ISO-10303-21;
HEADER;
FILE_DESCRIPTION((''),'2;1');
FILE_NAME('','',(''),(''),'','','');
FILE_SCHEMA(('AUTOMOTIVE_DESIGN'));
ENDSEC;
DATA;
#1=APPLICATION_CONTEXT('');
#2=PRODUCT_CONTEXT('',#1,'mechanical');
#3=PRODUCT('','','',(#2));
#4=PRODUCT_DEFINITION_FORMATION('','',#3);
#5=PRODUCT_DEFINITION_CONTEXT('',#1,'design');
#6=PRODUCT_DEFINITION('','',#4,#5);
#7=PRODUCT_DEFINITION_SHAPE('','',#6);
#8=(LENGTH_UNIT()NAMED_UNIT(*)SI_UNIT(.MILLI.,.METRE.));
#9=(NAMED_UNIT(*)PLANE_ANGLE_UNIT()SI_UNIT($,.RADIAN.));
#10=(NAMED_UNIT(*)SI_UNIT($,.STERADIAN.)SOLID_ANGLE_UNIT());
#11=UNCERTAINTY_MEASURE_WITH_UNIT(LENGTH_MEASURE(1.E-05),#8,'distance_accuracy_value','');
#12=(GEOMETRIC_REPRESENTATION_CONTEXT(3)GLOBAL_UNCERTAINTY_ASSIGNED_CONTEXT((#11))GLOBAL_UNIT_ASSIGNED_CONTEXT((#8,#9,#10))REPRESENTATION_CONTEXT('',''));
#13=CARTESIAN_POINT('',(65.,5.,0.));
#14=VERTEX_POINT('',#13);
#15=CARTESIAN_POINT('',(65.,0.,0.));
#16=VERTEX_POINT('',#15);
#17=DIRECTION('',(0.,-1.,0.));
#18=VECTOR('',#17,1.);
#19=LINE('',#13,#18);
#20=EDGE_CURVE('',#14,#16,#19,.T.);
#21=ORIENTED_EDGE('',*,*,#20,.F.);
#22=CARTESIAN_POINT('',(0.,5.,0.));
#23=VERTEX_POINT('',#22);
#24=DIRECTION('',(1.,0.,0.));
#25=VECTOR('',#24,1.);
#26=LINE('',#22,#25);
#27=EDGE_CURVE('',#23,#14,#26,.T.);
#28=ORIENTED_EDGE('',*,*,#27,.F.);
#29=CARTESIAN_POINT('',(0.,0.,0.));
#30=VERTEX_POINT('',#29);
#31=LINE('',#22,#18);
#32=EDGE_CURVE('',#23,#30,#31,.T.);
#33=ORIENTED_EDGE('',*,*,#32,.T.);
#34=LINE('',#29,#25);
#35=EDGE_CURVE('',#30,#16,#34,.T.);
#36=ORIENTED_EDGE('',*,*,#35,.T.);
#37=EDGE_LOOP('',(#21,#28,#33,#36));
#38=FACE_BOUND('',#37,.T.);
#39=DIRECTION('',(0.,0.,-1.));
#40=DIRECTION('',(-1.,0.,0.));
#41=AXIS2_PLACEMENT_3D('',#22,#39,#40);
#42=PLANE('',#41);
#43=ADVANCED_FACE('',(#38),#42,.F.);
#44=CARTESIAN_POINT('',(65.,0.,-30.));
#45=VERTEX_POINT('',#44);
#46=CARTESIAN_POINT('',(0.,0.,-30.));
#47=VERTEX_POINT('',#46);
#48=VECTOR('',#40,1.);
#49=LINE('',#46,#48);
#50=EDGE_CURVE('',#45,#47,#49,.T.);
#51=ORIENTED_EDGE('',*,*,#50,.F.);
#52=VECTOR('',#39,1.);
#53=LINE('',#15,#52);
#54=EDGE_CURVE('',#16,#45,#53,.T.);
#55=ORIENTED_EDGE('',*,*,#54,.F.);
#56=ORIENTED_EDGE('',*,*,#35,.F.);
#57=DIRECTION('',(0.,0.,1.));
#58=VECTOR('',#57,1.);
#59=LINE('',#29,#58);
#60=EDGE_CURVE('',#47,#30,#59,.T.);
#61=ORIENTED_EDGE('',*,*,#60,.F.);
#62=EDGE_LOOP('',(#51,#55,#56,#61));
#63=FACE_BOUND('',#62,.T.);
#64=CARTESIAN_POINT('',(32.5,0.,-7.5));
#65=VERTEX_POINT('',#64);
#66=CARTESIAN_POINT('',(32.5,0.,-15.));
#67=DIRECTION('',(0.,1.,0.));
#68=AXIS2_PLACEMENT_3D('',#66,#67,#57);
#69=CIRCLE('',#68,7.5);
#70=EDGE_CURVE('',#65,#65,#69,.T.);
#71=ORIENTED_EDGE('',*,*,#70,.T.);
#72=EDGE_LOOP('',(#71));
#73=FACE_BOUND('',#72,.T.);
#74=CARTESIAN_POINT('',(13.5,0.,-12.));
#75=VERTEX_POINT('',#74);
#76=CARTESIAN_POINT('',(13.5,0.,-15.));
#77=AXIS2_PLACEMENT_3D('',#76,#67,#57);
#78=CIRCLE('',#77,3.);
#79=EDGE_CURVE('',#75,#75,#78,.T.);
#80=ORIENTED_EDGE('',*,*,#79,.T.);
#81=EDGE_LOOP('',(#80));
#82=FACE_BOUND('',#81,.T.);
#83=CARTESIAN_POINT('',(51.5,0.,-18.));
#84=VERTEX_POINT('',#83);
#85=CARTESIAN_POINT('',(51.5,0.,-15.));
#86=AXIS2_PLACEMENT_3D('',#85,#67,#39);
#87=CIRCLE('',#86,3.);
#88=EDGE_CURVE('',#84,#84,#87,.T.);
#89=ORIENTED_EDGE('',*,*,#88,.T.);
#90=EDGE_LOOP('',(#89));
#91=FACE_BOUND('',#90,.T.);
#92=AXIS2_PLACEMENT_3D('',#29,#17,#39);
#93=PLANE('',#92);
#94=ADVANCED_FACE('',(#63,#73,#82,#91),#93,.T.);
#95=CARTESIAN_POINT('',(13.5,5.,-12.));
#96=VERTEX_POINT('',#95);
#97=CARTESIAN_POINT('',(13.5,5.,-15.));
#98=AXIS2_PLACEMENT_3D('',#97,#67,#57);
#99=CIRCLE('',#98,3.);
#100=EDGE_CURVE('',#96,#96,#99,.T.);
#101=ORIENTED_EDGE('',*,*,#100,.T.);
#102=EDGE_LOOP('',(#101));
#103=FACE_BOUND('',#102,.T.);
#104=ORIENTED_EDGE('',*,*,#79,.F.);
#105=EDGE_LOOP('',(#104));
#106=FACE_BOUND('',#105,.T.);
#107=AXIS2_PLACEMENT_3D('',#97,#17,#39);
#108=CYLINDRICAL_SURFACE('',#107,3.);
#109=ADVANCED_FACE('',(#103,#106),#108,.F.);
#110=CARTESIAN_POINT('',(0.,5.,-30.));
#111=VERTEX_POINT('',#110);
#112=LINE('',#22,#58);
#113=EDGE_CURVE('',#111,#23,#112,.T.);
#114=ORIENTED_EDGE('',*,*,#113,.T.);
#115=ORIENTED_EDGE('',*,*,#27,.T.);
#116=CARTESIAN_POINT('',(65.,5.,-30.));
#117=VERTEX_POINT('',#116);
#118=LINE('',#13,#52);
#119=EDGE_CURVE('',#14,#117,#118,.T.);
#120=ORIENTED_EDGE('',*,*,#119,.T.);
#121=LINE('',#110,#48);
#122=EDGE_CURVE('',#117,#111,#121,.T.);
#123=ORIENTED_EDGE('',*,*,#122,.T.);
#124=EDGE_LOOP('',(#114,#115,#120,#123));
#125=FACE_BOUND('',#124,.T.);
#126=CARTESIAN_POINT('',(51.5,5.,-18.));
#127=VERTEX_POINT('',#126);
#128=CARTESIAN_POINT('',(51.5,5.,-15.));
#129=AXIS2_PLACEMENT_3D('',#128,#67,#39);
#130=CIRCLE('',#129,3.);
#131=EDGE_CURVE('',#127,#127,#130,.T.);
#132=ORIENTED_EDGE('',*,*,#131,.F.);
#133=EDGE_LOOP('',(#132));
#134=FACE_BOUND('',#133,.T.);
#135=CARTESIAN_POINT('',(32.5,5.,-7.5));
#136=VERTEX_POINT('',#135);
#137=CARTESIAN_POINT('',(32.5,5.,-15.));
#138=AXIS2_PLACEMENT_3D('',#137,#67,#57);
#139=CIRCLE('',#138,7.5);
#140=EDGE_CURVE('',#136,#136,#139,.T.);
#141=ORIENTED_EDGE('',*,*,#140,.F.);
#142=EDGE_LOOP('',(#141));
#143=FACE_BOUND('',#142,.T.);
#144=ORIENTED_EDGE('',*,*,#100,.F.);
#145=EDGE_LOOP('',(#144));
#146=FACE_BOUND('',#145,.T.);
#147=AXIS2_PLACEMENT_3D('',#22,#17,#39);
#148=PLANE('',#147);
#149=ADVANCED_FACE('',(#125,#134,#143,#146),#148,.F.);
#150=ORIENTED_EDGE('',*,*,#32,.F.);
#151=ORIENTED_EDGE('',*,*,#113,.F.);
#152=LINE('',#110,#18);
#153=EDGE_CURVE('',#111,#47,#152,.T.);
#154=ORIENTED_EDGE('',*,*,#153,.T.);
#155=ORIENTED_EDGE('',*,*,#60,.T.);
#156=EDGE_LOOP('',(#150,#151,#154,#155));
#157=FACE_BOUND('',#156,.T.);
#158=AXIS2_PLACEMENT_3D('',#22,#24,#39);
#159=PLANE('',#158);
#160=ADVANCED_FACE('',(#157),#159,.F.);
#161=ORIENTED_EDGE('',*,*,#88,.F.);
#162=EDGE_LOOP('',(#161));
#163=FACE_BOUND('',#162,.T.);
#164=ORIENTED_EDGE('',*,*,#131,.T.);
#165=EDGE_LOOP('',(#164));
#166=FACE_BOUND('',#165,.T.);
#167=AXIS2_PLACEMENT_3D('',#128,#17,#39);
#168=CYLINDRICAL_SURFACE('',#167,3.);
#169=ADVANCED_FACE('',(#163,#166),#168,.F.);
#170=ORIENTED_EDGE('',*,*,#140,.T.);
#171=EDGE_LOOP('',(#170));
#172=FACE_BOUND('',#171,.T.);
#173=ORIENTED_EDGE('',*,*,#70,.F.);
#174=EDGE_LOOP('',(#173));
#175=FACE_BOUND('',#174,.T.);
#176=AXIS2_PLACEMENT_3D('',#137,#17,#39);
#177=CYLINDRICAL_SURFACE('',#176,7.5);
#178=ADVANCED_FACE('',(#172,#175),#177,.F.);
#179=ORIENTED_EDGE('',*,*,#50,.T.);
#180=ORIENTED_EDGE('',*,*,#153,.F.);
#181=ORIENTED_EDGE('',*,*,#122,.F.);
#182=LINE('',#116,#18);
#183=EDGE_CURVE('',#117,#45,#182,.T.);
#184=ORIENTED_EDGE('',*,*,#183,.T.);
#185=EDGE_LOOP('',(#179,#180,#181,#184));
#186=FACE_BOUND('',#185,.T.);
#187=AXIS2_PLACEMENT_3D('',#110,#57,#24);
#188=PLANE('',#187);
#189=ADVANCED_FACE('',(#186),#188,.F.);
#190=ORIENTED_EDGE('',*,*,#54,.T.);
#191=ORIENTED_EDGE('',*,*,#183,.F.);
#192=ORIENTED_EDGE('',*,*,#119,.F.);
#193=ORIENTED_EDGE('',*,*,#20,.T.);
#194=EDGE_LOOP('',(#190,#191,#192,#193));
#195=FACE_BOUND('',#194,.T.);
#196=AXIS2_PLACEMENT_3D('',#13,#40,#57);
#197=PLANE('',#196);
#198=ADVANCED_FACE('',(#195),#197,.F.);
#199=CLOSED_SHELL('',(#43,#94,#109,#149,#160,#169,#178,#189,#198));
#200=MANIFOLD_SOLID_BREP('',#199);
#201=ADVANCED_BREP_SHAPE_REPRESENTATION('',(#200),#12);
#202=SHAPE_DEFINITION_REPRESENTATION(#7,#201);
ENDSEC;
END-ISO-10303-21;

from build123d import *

# Parameters (mm, degrees)
SKETCH1_W           = 65
SKETCH1_H           = 30
SKETCH1_R           = 7.5
SKETCH1_R_2         = 3
BOSS_EXTRUDE1_DEPTH = 5


with BuildPart() as part:
    # Sketch1 → Boss-Extrude1 (new body)
    with BuildSketch(Plane(origin=(0, 0, 0), x_dir=(1, 0, 0), z_dir=(0, 1, 0))):
        with Locations((32.5, 15)):
            Rectangle(SKETCH1_W, SKETCH1_H)
        with Locations(Location((32.5, 15, 0), (0, 0, 270))):
            Circle(SKETCH1_R, mode=Mode.SUBTRACT)
        with Locations(Location((13.5, 15, 0), (0, 0, 270))):
            Circle(SKETCH1_R_2, mode=Mode.SUBTRACT)
        with Locations(Location((51.5, 15, 0), (0, 0, 90))):
            Circle(SKETCH1_R_2, mode=Mode.SUBTRACT)
    extrude(amount=BOSS_EXTRUDE1_DEPTH)


solid = part.part
